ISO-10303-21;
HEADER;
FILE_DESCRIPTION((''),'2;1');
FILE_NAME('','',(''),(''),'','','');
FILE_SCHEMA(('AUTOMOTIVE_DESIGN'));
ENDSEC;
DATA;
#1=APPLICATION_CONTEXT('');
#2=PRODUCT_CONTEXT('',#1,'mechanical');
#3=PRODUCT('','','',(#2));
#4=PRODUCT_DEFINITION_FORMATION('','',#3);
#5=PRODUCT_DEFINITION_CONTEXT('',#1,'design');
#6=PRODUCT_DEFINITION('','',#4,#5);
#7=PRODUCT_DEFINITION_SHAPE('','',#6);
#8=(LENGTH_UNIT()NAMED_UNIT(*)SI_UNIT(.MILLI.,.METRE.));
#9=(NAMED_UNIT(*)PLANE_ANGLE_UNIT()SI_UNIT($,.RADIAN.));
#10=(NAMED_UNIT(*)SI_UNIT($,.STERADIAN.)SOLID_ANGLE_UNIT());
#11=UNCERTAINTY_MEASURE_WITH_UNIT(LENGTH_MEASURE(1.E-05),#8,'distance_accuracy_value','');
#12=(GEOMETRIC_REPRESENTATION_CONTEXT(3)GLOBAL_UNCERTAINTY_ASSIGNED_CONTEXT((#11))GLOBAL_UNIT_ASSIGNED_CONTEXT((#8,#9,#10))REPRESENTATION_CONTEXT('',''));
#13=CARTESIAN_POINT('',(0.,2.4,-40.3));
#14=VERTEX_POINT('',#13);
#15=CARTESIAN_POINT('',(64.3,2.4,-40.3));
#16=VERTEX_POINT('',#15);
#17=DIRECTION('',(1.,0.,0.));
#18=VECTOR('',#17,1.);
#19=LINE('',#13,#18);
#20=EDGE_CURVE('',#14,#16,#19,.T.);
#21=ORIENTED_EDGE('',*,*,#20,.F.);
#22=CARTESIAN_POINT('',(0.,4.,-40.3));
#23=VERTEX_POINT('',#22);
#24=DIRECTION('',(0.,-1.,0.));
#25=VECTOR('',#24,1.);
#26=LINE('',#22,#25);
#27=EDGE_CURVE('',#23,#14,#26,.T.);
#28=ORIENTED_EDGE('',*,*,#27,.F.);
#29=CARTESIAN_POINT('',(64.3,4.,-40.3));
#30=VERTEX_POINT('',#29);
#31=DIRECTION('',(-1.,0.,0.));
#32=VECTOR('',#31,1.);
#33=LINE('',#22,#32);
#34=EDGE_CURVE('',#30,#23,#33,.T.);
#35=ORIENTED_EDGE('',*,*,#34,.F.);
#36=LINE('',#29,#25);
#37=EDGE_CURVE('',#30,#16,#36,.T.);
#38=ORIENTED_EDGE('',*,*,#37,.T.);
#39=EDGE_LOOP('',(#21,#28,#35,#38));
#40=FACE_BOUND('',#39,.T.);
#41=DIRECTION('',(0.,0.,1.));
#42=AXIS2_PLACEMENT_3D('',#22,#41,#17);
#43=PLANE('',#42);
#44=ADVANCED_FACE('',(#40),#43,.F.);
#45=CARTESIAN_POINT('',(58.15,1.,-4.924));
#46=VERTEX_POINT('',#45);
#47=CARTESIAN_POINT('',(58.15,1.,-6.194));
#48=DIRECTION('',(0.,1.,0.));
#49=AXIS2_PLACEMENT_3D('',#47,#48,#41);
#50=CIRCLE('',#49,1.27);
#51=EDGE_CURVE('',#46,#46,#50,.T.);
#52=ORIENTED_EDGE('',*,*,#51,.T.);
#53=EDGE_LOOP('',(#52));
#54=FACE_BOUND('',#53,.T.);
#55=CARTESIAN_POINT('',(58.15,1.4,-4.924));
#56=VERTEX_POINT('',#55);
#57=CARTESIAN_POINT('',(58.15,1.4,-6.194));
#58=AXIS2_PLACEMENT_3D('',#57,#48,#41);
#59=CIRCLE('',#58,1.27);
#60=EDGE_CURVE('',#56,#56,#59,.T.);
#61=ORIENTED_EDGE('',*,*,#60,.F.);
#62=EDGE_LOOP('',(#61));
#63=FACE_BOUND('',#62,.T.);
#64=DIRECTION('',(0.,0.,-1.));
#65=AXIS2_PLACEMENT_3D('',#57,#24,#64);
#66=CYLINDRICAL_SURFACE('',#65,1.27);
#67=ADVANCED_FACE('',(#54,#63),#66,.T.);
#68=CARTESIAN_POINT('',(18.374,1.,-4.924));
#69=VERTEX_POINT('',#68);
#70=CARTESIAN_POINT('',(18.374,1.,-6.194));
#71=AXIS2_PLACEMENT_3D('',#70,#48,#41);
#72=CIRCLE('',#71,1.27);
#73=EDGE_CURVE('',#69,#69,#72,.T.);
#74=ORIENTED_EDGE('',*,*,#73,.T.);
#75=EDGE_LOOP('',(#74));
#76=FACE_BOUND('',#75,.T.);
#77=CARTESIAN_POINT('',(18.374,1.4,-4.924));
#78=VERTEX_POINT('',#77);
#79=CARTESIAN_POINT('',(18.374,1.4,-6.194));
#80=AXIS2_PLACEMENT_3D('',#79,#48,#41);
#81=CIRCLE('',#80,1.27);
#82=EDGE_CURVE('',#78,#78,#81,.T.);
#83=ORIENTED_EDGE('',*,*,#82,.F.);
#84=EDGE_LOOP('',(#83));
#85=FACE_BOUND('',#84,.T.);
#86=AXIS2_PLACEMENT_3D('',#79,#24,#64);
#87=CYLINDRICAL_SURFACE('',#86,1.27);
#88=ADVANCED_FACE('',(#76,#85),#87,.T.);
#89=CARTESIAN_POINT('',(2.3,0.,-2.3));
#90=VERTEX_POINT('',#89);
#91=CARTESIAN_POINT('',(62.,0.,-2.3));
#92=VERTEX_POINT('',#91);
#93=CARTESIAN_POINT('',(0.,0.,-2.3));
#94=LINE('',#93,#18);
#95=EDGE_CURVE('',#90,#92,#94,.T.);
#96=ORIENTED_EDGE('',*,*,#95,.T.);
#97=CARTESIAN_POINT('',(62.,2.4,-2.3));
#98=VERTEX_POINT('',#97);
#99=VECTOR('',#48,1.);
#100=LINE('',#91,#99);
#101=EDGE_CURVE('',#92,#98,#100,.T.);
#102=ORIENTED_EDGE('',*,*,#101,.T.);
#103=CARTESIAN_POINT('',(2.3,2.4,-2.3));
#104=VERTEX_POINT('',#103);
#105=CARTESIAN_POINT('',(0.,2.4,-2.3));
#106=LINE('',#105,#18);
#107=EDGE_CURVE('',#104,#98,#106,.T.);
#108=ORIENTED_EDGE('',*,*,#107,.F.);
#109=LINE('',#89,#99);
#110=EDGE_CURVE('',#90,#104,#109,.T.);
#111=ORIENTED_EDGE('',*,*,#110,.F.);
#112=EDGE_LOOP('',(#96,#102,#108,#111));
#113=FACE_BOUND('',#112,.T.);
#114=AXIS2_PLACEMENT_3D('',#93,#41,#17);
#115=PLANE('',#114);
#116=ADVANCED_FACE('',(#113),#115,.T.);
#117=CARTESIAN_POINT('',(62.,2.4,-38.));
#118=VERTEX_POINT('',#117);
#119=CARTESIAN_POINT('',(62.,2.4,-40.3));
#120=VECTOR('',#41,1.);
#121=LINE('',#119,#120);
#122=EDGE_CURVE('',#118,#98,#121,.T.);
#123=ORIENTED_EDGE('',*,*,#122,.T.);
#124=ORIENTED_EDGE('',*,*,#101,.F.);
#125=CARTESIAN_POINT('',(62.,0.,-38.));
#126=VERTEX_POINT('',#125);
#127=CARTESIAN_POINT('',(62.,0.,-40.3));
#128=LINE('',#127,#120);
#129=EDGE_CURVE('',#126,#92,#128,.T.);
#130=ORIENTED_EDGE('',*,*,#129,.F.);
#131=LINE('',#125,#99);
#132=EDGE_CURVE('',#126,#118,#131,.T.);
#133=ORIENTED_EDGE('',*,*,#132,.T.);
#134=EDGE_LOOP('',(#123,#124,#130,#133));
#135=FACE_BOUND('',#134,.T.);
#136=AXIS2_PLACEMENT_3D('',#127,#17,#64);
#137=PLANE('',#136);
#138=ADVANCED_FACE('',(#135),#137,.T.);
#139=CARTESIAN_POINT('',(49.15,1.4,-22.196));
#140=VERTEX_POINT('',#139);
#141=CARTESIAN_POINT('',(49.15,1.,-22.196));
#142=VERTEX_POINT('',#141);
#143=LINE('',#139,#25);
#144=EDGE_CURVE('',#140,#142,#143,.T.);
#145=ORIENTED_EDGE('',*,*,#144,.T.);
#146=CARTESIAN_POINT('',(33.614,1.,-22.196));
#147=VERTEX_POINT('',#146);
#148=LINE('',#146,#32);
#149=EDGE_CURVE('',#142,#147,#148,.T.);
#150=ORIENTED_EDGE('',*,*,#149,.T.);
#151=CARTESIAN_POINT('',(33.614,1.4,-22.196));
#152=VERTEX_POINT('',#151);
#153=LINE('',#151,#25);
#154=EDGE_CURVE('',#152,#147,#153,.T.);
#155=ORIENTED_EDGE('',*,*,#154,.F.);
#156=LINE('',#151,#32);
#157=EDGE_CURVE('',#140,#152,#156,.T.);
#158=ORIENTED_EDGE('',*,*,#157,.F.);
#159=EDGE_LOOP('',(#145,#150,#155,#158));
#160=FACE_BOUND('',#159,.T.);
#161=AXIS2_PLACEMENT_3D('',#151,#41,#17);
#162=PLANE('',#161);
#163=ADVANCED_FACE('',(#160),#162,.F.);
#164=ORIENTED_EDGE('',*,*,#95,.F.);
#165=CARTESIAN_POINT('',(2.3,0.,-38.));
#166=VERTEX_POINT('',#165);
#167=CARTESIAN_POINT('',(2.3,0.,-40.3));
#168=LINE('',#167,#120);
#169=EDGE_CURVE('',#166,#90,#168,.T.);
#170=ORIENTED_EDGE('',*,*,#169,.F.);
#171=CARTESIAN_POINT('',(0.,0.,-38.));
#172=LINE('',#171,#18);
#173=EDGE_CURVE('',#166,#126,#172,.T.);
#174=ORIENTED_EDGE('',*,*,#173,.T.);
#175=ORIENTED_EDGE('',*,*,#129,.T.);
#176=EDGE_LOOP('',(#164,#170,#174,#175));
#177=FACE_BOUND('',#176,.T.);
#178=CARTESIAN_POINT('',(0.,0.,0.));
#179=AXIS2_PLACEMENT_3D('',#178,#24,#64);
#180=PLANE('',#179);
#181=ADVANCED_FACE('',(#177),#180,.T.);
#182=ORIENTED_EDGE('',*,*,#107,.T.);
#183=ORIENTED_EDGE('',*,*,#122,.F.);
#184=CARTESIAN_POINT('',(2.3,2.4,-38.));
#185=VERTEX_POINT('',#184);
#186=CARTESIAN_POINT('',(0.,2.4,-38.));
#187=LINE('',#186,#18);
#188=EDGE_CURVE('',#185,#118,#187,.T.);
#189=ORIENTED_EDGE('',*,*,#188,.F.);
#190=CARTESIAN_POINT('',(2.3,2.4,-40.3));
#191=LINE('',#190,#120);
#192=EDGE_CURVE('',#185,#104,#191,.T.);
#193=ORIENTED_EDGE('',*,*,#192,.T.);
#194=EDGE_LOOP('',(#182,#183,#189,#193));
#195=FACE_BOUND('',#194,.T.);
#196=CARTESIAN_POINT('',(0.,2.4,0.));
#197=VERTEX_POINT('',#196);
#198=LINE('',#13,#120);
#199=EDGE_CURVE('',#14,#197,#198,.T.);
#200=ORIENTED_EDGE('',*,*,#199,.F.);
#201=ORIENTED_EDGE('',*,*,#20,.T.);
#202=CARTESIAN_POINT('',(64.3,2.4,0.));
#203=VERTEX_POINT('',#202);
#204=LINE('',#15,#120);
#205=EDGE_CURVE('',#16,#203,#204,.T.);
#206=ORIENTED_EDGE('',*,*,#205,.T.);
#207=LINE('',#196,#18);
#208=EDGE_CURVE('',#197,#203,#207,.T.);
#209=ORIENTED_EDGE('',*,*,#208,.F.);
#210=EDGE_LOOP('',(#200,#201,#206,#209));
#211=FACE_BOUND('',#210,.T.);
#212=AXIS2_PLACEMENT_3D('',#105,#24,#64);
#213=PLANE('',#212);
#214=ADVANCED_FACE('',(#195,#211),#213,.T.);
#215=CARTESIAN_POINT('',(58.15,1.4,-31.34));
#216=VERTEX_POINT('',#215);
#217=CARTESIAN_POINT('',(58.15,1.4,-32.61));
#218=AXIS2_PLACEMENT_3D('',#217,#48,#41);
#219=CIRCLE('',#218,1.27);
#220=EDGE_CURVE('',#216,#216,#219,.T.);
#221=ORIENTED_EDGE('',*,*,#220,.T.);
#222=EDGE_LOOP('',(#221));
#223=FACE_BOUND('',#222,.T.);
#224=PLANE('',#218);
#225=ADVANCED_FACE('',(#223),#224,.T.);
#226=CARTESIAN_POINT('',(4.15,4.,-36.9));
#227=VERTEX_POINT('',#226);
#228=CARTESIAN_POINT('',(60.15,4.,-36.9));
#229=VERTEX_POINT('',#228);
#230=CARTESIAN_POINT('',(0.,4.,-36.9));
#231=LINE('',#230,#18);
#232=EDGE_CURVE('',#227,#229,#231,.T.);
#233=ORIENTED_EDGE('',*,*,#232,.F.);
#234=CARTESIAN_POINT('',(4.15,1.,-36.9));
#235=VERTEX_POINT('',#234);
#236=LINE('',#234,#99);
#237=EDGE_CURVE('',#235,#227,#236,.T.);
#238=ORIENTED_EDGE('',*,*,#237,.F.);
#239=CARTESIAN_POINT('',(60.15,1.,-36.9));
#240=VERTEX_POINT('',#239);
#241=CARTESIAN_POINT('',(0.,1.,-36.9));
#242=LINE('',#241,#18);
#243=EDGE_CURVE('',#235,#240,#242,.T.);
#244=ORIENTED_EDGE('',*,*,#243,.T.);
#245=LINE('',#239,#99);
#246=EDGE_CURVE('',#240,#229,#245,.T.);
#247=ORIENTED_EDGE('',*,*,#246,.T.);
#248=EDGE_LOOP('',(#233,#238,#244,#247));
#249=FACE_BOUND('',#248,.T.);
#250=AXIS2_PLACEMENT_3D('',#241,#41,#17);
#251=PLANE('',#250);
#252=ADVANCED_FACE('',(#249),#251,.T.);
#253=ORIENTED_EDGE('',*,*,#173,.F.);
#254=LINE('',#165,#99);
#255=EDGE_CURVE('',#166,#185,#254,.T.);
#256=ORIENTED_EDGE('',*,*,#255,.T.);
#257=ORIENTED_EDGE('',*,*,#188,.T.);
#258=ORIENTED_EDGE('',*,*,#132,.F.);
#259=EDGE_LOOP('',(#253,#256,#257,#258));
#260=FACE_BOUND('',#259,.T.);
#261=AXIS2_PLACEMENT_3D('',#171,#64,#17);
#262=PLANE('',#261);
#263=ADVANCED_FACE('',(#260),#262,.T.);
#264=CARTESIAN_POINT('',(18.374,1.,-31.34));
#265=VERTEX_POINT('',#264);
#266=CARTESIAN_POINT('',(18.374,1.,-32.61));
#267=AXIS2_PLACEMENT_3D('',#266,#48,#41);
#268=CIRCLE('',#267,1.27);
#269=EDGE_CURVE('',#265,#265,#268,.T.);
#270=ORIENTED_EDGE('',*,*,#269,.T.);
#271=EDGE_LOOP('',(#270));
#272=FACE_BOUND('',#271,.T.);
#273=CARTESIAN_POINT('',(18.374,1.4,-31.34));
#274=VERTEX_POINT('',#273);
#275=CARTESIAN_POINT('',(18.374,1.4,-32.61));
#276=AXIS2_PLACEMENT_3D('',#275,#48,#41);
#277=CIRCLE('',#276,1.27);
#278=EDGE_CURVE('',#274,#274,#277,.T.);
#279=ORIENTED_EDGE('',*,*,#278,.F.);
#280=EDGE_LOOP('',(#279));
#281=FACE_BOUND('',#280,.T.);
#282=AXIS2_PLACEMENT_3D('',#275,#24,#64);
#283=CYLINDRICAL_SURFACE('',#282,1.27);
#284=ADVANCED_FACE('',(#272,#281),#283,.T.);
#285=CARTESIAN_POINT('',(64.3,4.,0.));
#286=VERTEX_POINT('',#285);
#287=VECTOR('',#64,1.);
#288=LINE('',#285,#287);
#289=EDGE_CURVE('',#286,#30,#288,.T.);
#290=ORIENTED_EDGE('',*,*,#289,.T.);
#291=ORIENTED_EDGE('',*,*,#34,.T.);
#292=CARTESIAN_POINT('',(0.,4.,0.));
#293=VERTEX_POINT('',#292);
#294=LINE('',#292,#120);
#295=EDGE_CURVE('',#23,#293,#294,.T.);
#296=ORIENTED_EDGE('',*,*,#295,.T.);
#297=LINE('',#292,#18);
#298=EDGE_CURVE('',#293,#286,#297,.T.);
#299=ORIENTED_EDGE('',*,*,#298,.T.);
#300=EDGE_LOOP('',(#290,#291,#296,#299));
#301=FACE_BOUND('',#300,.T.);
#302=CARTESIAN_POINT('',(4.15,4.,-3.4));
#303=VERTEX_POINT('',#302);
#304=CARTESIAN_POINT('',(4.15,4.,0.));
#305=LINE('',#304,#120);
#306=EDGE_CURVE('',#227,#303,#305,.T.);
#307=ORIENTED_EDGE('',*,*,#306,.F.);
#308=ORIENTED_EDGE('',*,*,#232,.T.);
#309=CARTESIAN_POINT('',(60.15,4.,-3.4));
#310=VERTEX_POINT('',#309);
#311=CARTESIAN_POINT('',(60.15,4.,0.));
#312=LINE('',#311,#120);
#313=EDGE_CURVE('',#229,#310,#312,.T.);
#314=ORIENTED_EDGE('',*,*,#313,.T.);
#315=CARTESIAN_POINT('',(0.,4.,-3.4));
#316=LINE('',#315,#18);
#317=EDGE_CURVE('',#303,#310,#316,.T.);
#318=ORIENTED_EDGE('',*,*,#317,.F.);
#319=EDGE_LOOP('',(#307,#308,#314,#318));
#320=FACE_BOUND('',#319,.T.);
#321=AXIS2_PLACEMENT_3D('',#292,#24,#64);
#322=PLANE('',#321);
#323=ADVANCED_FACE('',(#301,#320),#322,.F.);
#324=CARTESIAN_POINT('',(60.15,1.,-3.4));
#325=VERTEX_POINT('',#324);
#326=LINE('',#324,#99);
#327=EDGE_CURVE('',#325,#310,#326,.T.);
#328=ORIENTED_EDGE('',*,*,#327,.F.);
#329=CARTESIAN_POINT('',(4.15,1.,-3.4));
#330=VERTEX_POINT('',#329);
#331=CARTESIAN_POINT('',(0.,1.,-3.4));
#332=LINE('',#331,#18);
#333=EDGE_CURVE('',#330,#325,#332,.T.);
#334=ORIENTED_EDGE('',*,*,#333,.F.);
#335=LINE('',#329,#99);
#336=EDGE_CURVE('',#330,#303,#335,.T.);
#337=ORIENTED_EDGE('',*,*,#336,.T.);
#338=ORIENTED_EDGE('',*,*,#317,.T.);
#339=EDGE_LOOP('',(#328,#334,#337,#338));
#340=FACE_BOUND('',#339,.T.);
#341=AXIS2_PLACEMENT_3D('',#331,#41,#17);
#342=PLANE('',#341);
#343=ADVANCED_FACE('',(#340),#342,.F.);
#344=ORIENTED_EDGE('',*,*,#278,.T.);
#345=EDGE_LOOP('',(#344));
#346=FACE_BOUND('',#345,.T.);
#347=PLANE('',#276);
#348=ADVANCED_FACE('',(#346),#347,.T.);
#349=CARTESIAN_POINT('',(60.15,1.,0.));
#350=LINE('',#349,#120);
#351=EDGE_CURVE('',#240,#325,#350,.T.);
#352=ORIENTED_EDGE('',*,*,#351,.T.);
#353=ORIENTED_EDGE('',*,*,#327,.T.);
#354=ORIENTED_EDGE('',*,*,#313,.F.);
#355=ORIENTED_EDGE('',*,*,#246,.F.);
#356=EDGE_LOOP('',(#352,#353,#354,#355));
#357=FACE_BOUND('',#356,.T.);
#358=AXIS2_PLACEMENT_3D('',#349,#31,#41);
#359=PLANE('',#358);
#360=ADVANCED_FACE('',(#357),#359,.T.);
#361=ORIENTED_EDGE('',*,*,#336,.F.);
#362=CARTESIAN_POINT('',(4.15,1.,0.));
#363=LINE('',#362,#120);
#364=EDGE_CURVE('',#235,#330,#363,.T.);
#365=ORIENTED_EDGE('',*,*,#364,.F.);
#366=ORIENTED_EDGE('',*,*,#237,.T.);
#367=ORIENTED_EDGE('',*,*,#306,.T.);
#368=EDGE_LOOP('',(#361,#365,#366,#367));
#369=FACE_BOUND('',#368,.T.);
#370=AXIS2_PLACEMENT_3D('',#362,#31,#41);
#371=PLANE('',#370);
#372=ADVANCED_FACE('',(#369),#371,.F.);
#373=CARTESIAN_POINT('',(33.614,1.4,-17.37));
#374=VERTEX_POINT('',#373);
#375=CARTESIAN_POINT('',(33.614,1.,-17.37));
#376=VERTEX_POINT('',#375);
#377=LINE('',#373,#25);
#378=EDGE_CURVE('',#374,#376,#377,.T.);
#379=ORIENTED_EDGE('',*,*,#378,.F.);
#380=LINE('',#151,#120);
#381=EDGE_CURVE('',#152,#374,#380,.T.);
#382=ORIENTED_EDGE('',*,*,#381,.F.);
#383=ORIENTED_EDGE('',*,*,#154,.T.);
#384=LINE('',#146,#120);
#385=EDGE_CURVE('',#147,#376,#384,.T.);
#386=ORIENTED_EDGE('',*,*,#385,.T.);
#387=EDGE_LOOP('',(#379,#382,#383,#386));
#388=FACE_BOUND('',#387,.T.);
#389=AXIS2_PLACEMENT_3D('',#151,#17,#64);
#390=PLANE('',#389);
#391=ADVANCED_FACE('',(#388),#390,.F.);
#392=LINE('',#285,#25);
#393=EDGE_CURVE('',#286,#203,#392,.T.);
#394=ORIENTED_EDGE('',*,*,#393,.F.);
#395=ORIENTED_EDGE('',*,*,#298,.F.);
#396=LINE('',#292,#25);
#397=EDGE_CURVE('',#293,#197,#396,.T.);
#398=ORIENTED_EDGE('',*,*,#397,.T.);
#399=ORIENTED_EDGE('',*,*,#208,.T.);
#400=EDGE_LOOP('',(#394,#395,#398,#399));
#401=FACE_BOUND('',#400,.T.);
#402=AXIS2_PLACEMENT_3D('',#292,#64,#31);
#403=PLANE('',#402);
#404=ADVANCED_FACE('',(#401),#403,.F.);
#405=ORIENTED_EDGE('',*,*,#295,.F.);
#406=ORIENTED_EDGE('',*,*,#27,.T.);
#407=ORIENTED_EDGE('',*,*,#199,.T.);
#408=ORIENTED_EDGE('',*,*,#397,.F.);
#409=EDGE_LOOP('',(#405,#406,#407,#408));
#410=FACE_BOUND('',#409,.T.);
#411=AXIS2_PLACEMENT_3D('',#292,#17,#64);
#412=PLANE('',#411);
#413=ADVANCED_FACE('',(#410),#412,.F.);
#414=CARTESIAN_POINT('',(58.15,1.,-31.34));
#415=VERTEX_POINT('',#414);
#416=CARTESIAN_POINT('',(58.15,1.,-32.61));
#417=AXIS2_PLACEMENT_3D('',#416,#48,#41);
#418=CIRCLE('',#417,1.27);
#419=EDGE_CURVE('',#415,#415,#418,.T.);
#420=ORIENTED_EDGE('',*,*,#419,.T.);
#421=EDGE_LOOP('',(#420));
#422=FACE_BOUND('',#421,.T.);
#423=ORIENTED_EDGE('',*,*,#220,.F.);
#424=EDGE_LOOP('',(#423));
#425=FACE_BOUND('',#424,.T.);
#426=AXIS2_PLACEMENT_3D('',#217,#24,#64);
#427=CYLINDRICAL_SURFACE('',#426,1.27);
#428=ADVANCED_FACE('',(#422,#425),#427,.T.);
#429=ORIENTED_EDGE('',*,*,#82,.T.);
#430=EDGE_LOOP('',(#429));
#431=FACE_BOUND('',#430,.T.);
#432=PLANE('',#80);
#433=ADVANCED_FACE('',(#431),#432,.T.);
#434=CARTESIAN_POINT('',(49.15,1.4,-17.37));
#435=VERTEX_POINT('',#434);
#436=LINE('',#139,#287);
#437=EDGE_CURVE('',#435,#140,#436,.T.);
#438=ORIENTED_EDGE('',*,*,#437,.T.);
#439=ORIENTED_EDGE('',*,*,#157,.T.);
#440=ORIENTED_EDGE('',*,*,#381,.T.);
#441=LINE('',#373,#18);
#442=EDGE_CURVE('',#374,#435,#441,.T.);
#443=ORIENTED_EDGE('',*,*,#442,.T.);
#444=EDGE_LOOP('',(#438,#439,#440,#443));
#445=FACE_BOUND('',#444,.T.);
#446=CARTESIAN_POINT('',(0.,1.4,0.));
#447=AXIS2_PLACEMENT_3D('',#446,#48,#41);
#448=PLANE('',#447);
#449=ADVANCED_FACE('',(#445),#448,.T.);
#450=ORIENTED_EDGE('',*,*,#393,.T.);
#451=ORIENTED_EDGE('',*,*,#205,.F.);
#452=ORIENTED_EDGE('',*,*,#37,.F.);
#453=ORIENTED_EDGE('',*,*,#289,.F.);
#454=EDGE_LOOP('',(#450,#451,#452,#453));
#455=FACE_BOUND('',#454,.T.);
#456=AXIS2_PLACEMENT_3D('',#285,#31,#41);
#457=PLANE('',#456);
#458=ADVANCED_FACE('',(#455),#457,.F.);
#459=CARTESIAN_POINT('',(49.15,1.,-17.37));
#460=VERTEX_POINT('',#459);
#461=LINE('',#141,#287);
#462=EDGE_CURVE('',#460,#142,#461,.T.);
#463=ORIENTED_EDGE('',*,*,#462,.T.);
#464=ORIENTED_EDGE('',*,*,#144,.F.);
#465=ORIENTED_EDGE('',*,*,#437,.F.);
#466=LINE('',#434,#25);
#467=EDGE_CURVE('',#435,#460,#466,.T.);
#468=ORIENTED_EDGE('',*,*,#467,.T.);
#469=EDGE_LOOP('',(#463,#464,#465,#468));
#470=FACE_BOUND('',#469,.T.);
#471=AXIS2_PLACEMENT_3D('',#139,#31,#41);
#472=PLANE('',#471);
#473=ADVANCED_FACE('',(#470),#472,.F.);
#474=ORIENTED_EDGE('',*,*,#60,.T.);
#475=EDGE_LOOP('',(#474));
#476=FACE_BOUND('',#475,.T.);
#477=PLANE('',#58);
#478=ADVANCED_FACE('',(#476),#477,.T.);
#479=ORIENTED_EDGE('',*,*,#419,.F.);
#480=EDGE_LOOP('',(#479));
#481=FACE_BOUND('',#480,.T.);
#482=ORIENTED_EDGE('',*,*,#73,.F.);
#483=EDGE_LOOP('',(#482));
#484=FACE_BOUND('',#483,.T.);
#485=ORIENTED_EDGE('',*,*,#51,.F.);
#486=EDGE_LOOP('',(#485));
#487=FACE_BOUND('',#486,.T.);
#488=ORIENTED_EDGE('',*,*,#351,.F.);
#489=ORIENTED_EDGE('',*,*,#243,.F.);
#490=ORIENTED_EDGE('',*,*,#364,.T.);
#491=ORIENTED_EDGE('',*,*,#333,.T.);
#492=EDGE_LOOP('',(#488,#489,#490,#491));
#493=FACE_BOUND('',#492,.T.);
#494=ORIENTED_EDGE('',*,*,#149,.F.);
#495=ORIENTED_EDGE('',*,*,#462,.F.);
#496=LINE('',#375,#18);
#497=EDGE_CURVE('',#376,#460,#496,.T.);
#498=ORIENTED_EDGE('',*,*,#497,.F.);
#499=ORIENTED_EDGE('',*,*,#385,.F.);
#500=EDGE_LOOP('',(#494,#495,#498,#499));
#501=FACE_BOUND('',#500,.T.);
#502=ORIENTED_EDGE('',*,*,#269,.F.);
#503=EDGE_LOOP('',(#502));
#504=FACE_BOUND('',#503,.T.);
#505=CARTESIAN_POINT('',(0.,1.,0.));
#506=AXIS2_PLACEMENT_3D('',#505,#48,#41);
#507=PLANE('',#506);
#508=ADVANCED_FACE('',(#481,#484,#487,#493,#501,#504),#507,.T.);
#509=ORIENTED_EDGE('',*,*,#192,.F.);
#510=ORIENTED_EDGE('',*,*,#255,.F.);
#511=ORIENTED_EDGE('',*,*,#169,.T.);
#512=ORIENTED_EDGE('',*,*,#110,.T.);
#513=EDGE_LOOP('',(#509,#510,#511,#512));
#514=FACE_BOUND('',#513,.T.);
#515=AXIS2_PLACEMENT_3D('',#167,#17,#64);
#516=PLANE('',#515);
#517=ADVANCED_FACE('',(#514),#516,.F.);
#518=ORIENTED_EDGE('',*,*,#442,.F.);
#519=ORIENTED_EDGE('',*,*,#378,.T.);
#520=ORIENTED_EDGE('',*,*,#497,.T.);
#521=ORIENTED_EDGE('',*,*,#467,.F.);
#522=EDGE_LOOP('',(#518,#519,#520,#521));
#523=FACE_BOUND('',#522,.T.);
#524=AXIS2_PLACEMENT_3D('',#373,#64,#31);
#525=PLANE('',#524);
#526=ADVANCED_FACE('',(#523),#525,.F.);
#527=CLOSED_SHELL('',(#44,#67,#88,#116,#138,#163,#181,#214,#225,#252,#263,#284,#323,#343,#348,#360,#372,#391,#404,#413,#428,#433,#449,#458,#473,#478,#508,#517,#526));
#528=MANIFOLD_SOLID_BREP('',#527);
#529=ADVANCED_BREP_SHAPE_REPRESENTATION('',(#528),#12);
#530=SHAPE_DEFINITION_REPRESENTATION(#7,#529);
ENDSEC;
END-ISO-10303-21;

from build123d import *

# Parameters (mm, degrees)
SKETCH1_W              = 64.3
SKETCH1_H              = 40.3
BOSS_EXTRUDE1_DEPTH    = 4
SKETCH2_W              = 56
SKETCH2_H              = 33.5
MAIN_WELL_CUTOUT_DEPTH = 3
SKETCH8_R              = 1.27
SKETCH8_W              = 15.536
SKETCH8_H              = 4.826
ADHESIVE_CONTACT_DEPTH = 0.4
SKETCH5_W              = 59.7
SKETCH5_H              = 2.4
CUT_EXTRUDE2_DEPTH     = 2.3
SKETCH5_3_W            = 2.3
SKETCH5_3_H            = 2.4
CUT_EXTRUDE3_DEPTH     = 76.99065732


with BuildPart() as part:
    # Sketch1 → Boss-Extrude1 (new body)
    with BuildSketch(Plane(origin=(0, 0, 0), x_dir=(1, 0, 0), z_dir=(0, 1, 0))):
        with Locations((32.15, 20.15)):
            Rectangle(SKETCH1_W, SKETCH1_H)
    extrude(amount=BOSS_EXTRUDE1_DEPTH)

    # Sketch2 → main well cutout (cut)
    with BuildSketch(Plane(origin=(0, 4, 0), x_dir=(1, 0, 0), z_dir=(0, 1, 0))):
        with Locations((32.15, 20.15)):
            Rectangle(SKETCH2_W, SKETCH2_H)
    extrude(amount=-MAIN_WELL_CUTOUT_DEPTH, mode=Mode.SUBTRACT)

    # Sketch8 → Adhesive contact (add)
    with BuildSketch(Plane(origin=(0, 1, 0), x_dir=(1, 0, 0), z_dir=(0, 1, 0))):
        with Locations((18.374, 32.61)):
            Circle(SKETCH8_R)
        with Locations((18.374, 6.194)):
            Circle(SKETCH8_R)
        with Locations((58.15, 6.194)):
            Circle(SKETCH8_R)
        with Locations((58.15, 32.61)):
            Circle(SKETCH8_R)
        with Locations((41.382, 19.783)):
            Rectangle(SKETCH8_W, SKETCH8_H)
    extrude(amount=ADHESIVE_CONTACT_DEPTH)

    # Sketch5 → Cut-Extrude2 (cut)
    with BuildSketch(Plane.XY):
        with Locations((32.15, 1.2)):
            Rectangle(SKETCH5_W, SKETCH5_H)
    cut_extrude2 = extrude(amount=-CUT_EXTRUDE2_DEPTH, mode=Mode.SUBTRACT)

    # Sketch5<3> → Cut-Extrude3 (cut, through all)
    with BuildSketch(Plane.XY):
        with Locations((1.15, 1.2)):
            Rectangle(SKETCH5_3_W, SKETCH5_3_H)
        with Locations((63.15, 1.2)):
            Rectangle(SKETCH5_3_W, SKETCH5_3_H)
    extrude(amount=-CUT_EXTRUDE3_DEPTH, mode=Mode.SUBTRACT)

    # cuttout mirror: Cut-Extrude2 across plane
    add(cut_extrude2.mirror(Plane.XY.offset(-20.15)), mode=Mode.SUBTRACT)


solid = part.part
